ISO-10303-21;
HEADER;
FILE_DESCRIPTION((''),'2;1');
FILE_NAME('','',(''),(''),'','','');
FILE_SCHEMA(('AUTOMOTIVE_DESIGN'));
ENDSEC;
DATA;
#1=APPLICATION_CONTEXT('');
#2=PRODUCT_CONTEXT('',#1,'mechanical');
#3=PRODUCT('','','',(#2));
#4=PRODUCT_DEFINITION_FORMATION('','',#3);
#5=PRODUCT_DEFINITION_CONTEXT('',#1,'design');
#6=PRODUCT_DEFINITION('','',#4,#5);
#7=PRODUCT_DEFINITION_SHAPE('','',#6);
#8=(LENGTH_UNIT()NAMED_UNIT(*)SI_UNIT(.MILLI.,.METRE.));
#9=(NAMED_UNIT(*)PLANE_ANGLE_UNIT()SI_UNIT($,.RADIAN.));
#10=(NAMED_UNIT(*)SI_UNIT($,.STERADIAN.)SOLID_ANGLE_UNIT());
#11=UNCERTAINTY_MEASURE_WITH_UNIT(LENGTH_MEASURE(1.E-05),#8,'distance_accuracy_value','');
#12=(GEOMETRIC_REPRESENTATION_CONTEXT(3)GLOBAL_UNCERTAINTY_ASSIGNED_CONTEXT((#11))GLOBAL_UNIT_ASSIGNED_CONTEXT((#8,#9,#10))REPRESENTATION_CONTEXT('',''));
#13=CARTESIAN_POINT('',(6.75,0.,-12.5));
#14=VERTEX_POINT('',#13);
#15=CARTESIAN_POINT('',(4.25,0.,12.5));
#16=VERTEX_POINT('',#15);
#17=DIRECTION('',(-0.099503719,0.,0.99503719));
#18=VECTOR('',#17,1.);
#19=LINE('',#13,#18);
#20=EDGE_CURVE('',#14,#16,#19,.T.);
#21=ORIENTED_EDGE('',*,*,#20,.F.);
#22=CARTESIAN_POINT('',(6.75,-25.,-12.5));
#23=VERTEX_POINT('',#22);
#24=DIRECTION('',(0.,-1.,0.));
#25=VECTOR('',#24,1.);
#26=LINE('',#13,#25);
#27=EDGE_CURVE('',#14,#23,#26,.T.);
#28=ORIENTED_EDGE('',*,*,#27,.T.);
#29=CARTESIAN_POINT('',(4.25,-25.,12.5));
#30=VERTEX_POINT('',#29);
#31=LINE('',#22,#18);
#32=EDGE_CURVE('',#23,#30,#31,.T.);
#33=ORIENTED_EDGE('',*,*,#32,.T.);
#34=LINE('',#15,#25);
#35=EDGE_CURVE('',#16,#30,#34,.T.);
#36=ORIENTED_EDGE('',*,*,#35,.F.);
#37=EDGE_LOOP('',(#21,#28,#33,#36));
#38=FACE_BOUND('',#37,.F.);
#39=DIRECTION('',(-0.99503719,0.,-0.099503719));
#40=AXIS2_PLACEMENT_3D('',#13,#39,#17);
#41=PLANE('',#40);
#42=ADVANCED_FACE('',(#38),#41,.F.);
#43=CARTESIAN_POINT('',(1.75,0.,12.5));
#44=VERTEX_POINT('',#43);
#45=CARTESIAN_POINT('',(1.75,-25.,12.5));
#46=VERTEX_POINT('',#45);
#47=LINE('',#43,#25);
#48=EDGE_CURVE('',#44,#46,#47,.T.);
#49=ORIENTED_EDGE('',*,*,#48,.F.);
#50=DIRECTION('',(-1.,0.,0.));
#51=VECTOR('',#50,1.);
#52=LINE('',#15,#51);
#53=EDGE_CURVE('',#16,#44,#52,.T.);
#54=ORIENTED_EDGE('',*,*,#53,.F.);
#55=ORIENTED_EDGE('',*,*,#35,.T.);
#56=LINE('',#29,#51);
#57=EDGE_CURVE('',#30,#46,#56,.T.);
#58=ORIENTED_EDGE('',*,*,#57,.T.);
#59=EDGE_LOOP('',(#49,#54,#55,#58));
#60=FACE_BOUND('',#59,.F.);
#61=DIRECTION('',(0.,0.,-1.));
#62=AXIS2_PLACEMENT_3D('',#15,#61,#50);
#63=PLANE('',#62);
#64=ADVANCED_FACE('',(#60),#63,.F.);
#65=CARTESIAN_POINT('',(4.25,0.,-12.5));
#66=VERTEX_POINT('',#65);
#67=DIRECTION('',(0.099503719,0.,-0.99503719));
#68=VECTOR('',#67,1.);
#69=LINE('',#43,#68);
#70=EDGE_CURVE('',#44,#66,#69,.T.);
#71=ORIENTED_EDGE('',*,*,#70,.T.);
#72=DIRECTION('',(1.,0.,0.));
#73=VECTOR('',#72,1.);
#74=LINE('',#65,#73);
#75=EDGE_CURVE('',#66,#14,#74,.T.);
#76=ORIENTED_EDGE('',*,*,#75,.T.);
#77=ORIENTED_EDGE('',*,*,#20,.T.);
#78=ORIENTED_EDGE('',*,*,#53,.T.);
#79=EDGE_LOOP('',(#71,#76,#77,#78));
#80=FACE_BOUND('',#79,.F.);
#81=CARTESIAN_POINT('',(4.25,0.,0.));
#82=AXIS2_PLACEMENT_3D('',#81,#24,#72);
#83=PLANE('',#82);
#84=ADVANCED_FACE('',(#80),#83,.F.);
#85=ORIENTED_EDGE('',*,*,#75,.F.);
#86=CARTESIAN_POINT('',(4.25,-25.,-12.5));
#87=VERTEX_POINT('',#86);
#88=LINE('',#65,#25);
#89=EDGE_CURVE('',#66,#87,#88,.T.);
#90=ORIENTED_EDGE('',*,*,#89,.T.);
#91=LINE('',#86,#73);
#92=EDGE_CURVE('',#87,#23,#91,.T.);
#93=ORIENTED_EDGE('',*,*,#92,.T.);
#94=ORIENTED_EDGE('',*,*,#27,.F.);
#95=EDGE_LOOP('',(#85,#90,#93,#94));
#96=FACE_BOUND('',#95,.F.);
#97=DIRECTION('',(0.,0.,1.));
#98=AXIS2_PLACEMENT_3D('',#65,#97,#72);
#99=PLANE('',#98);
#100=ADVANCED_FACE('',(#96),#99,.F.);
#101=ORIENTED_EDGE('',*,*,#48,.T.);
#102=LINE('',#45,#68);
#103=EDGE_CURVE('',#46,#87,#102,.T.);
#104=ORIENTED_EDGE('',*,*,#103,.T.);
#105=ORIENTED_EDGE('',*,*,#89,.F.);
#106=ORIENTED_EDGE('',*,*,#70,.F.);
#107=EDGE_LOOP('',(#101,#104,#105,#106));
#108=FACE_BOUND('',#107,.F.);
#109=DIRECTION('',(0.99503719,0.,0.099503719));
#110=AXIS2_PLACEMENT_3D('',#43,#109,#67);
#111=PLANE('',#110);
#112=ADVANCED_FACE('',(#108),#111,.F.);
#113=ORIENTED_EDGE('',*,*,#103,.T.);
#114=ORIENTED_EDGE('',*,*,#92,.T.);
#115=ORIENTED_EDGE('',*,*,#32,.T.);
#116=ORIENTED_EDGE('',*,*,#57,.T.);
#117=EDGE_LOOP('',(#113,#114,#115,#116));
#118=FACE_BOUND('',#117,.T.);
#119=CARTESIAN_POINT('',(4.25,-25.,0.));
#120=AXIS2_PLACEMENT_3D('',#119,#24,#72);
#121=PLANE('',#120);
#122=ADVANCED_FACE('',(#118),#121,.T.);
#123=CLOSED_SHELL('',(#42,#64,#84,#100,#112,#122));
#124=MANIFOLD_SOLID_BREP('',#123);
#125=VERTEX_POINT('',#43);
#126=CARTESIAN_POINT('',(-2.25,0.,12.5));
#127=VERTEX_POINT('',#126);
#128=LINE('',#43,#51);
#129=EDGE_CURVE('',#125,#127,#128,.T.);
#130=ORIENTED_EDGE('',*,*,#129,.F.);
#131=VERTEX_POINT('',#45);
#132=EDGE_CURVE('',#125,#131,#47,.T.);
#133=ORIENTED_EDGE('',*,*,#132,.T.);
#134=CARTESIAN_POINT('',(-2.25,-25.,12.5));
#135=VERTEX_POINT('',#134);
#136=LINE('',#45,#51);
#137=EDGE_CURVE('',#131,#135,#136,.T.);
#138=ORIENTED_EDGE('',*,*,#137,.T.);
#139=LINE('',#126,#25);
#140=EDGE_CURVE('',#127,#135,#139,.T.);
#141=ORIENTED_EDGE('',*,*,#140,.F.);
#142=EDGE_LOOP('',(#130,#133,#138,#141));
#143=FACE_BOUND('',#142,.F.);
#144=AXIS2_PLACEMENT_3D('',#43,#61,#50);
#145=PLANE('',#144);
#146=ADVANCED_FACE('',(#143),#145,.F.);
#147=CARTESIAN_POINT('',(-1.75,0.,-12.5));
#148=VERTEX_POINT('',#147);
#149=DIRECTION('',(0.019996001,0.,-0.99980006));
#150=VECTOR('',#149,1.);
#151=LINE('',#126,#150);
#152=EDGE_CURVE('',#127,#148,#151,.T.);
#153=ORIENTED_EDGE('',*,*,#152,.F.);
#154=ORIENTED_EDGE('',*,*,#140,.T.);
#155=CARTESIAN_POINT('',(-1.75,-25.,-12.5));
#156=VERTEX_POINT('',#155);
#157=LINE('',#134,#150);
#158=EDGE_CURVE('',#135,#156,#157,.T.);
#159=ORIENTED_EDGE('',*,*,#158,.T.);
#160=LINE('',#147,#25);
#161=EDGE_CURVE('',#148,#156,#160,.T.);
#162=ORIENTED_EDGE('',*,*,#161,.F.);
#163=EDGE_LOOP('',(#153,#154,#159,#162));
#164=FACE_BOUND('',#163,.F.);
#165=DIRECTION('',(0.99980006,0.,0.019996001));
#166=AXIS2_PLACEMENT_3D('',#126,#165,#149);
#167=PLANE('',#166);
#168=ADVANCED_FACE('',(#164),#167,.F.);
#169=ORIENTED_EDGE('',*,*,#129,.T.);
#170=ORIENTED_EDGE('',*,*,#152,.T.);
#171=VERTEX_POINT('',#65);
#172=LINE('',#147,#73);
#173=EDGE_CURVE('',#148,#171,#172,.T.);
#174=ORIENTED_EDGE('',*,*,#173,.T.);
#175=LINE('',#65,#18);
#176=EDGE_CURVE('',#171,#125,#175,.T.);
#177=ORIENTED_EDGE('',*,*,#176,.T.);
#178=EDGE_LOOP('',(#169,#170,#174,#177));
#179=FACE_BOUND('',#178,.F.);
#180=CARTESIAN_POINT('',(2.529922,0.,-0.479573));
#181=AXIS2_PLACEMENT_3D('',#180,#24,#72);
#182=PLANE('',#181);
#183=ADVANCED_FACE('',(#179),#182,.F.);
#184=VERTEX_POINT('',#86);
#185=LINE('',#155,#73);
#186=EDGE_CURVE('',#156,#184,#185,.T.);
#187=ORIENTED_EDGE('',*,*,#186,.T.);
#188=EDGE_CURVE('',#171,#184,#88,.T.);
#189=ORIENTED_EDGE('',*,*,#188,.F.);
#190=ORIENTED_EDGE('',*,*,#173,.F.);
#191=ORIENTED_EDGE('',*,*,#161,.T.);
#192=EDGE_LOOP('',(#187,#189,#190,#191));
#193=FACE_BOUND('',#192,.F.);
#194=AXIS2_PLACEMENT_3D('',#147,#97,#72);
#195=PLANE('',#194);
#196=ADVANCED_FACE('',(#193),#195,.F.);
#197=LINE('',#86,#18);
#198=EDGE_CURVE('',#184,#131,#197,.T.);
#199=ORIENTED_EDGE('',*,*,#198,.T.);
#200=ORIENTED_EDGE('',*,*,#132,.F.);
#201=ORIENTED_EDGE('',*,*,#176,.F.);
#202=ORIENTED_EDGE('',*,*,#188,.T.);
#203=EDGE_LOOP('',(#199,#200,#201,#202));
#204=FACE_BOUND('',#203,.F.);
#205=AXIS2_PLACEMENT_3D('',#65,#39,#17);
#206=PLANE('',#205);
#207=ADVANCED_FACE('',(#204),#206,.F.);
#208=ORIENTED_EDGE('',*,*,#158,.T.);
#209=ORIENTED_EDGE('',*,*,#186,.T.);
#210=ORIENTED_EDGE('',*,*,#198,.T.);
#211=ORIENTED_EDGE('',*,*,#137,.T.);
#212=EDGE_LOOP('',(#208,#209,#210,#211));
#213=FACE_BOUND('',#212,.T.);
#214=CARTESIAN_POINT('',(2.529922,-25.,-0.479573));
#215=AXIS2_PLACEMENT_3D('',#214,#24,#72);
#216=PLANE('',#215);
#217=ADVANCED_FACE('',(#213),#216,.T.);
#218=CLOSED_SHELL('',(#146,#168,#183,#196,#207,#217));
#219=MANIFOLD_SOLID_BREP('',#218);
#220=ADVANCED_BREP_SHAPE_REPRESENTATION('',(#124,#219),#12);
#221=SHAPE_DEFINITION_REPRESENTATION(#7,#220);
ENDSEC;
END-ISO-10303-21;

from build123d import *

# Parameters (mm, degrees)
F1_DEPTH = 25
F2_DEPTH = 25


with BuildPart() as f1:
    # F0 (on Front) → F1 (new body)
    with BuildSketch(Plane.XZ):
        Polygon((1.75, 12.5), (2.25, -12.5), (4.25, -12.5), align=None)
        Polygon((-1.75, -12.5), (2.25, -12.5), (1.75, 12.5), (-2.25, 12.5), align=None)
    extrude(amount=F1_DEPTH)


with BuildPart() as f2:
    # F0 (on Front) → F2 (new body)
    with BuildSketch(Plane.XZ):
        Polygon((4.25, 12.5), (1.75, 12.5), (4.25, -12.5), (6.75, -12.5), align=None)
    extrude(amount=F2_DEPTH)


solid = Compound([f1.part, f2.part])
